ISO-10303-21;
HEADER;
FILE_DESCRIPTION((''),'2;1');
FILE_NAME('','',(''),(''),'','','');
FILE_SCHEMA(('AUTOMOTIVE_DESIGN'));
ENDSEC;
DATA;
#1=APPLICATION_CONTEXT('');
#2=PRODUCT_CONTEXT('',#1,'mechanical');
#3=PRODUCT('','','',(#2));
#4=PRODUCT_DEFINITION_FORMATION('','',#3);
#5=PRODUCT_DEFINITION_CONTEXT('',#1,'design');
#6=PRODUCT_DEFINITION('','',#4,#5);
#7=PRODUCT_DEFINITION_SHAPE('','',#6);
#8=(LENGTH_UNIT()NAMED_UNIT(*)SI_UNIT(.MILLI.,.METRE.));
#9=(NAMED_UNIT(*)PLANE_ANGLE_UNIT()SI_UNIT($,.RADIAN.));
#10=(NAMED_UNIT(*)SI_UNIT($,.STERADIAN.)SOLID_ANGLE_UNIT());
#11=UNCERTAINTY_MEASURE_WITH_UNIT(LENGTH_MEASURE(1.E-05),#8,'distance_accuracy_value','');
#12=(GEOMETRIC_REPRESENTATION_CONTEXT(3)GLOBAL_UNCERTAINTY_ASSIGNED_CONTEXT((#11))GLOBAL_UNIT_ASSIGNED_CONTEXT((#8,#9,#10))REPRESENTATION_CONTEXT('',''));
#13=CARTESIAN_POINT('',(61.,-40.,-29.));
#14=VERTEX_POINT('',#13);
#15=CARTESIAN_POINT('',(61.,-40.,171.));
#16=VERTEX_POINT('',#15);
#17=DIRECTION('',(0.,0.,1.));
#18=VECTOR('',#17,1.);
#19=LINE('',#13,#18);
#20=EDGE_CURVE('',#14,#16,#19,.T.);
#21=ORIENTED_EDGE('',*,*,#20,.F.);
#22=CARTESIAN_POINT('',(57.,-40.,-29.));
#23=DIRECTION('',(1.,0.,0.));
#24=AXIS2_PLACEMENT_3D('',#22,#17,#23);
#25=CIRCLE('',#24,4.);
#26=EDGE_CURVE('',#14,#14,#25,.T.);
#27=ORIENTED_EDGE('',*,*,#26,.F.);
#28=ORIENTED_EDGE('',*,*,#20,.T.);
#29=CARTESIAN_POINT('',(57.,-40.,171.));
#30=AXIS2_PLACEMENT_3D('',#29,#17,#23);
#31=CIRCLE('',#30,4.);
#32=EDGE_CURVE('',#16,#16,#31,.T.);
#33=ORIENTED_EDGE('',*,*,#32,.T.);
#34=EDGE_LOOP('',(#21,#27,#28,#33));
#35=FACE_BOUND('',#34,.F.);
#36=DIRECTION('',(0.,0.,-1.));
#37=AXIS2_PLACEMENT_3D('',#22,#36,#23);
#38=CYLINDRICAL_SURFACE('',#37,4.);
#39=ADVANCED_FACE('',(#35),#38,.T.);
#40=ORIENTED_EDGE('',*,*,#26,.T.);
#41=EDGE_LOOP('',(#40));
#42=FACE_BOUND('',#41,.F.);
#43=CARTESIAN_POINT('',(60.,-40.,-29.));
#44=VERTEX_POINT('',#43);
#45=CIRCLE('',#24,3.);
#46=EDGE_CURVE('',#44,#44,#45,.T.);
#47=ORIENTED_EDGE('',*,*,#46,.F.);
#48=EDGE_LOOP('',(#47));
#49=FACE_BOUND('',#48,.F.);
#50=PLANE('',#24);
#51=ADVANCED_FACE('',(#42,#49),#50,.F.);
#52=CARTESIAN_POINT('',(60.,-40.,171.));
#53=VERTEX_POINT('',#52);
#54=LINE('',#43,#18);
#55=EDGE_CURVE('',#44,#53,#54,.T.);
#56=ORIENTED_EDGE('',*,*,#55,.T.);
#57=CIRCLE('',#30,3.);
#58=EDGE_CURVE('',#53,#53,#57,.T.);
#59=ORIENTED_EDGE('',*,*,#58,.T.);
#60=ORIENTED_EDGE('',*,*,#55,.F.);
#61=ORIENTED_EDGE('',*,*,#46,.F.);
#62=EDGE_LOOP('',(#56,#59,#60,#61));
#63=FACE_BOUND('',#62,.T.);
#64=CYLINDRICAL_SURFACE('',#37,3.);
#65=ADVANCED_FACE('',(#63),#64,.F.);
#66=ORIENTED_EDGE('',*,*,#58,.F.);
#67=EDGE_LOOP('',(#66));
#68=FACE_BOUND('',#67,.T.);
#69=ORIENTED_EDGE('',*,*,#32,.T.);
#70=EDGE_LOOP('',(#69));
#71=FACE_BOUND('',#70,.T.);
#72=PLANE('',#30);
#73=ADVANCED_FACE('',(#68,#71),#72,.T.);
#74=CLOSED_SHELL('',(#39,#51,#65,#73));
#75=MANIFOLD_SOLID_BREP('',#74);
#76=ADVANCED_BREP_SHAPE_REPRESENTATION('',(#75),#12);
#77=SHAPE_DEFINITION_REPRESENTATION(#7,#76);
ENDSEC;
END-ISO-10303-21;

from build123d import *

# Parameters (mm, degrees)
CYLINDER017_R     = 3
CYLINDER017_DEPTH = 200
CYLINDER016_R     = 4
CYLINDER016_DEPTH = 200


with BuildPart() as cilindro017:
    # Cylinder017 → Cylinder017 (new body)
    with BuildSketch(Plane(origin=(0, -24, 9), x_dir=(1, 0, 0), z_dir=(0, 0, 1))):
        Circle(CYLINDER017_R)
    extrude(amount=CYLINDER017_DEPTH)


with BuildPart() as tubo_fijacion003:
    # Cylinder016 → Cylinder016 (new body)
    with BuildSketch(Plane(origin=(0, -24, 9), x_dir=(1, 0, 0), z_dir=(0, 0, 1))):
        Circle(CYLINDER016_R)
    extrude(amount=CYLINDER016_DEPTH)

    # Cut024: cut Cilindro017
    add(cilindro017.part, mode=Mode.SUBTRACT)


with BuildPart() as tubo_fijacion003_1:
    # Cut024 placement: moved
    add(tubo_fijacion003.part.moved(Location((57, -16, -38))))


solid = tubo_fijacion003_1.part
